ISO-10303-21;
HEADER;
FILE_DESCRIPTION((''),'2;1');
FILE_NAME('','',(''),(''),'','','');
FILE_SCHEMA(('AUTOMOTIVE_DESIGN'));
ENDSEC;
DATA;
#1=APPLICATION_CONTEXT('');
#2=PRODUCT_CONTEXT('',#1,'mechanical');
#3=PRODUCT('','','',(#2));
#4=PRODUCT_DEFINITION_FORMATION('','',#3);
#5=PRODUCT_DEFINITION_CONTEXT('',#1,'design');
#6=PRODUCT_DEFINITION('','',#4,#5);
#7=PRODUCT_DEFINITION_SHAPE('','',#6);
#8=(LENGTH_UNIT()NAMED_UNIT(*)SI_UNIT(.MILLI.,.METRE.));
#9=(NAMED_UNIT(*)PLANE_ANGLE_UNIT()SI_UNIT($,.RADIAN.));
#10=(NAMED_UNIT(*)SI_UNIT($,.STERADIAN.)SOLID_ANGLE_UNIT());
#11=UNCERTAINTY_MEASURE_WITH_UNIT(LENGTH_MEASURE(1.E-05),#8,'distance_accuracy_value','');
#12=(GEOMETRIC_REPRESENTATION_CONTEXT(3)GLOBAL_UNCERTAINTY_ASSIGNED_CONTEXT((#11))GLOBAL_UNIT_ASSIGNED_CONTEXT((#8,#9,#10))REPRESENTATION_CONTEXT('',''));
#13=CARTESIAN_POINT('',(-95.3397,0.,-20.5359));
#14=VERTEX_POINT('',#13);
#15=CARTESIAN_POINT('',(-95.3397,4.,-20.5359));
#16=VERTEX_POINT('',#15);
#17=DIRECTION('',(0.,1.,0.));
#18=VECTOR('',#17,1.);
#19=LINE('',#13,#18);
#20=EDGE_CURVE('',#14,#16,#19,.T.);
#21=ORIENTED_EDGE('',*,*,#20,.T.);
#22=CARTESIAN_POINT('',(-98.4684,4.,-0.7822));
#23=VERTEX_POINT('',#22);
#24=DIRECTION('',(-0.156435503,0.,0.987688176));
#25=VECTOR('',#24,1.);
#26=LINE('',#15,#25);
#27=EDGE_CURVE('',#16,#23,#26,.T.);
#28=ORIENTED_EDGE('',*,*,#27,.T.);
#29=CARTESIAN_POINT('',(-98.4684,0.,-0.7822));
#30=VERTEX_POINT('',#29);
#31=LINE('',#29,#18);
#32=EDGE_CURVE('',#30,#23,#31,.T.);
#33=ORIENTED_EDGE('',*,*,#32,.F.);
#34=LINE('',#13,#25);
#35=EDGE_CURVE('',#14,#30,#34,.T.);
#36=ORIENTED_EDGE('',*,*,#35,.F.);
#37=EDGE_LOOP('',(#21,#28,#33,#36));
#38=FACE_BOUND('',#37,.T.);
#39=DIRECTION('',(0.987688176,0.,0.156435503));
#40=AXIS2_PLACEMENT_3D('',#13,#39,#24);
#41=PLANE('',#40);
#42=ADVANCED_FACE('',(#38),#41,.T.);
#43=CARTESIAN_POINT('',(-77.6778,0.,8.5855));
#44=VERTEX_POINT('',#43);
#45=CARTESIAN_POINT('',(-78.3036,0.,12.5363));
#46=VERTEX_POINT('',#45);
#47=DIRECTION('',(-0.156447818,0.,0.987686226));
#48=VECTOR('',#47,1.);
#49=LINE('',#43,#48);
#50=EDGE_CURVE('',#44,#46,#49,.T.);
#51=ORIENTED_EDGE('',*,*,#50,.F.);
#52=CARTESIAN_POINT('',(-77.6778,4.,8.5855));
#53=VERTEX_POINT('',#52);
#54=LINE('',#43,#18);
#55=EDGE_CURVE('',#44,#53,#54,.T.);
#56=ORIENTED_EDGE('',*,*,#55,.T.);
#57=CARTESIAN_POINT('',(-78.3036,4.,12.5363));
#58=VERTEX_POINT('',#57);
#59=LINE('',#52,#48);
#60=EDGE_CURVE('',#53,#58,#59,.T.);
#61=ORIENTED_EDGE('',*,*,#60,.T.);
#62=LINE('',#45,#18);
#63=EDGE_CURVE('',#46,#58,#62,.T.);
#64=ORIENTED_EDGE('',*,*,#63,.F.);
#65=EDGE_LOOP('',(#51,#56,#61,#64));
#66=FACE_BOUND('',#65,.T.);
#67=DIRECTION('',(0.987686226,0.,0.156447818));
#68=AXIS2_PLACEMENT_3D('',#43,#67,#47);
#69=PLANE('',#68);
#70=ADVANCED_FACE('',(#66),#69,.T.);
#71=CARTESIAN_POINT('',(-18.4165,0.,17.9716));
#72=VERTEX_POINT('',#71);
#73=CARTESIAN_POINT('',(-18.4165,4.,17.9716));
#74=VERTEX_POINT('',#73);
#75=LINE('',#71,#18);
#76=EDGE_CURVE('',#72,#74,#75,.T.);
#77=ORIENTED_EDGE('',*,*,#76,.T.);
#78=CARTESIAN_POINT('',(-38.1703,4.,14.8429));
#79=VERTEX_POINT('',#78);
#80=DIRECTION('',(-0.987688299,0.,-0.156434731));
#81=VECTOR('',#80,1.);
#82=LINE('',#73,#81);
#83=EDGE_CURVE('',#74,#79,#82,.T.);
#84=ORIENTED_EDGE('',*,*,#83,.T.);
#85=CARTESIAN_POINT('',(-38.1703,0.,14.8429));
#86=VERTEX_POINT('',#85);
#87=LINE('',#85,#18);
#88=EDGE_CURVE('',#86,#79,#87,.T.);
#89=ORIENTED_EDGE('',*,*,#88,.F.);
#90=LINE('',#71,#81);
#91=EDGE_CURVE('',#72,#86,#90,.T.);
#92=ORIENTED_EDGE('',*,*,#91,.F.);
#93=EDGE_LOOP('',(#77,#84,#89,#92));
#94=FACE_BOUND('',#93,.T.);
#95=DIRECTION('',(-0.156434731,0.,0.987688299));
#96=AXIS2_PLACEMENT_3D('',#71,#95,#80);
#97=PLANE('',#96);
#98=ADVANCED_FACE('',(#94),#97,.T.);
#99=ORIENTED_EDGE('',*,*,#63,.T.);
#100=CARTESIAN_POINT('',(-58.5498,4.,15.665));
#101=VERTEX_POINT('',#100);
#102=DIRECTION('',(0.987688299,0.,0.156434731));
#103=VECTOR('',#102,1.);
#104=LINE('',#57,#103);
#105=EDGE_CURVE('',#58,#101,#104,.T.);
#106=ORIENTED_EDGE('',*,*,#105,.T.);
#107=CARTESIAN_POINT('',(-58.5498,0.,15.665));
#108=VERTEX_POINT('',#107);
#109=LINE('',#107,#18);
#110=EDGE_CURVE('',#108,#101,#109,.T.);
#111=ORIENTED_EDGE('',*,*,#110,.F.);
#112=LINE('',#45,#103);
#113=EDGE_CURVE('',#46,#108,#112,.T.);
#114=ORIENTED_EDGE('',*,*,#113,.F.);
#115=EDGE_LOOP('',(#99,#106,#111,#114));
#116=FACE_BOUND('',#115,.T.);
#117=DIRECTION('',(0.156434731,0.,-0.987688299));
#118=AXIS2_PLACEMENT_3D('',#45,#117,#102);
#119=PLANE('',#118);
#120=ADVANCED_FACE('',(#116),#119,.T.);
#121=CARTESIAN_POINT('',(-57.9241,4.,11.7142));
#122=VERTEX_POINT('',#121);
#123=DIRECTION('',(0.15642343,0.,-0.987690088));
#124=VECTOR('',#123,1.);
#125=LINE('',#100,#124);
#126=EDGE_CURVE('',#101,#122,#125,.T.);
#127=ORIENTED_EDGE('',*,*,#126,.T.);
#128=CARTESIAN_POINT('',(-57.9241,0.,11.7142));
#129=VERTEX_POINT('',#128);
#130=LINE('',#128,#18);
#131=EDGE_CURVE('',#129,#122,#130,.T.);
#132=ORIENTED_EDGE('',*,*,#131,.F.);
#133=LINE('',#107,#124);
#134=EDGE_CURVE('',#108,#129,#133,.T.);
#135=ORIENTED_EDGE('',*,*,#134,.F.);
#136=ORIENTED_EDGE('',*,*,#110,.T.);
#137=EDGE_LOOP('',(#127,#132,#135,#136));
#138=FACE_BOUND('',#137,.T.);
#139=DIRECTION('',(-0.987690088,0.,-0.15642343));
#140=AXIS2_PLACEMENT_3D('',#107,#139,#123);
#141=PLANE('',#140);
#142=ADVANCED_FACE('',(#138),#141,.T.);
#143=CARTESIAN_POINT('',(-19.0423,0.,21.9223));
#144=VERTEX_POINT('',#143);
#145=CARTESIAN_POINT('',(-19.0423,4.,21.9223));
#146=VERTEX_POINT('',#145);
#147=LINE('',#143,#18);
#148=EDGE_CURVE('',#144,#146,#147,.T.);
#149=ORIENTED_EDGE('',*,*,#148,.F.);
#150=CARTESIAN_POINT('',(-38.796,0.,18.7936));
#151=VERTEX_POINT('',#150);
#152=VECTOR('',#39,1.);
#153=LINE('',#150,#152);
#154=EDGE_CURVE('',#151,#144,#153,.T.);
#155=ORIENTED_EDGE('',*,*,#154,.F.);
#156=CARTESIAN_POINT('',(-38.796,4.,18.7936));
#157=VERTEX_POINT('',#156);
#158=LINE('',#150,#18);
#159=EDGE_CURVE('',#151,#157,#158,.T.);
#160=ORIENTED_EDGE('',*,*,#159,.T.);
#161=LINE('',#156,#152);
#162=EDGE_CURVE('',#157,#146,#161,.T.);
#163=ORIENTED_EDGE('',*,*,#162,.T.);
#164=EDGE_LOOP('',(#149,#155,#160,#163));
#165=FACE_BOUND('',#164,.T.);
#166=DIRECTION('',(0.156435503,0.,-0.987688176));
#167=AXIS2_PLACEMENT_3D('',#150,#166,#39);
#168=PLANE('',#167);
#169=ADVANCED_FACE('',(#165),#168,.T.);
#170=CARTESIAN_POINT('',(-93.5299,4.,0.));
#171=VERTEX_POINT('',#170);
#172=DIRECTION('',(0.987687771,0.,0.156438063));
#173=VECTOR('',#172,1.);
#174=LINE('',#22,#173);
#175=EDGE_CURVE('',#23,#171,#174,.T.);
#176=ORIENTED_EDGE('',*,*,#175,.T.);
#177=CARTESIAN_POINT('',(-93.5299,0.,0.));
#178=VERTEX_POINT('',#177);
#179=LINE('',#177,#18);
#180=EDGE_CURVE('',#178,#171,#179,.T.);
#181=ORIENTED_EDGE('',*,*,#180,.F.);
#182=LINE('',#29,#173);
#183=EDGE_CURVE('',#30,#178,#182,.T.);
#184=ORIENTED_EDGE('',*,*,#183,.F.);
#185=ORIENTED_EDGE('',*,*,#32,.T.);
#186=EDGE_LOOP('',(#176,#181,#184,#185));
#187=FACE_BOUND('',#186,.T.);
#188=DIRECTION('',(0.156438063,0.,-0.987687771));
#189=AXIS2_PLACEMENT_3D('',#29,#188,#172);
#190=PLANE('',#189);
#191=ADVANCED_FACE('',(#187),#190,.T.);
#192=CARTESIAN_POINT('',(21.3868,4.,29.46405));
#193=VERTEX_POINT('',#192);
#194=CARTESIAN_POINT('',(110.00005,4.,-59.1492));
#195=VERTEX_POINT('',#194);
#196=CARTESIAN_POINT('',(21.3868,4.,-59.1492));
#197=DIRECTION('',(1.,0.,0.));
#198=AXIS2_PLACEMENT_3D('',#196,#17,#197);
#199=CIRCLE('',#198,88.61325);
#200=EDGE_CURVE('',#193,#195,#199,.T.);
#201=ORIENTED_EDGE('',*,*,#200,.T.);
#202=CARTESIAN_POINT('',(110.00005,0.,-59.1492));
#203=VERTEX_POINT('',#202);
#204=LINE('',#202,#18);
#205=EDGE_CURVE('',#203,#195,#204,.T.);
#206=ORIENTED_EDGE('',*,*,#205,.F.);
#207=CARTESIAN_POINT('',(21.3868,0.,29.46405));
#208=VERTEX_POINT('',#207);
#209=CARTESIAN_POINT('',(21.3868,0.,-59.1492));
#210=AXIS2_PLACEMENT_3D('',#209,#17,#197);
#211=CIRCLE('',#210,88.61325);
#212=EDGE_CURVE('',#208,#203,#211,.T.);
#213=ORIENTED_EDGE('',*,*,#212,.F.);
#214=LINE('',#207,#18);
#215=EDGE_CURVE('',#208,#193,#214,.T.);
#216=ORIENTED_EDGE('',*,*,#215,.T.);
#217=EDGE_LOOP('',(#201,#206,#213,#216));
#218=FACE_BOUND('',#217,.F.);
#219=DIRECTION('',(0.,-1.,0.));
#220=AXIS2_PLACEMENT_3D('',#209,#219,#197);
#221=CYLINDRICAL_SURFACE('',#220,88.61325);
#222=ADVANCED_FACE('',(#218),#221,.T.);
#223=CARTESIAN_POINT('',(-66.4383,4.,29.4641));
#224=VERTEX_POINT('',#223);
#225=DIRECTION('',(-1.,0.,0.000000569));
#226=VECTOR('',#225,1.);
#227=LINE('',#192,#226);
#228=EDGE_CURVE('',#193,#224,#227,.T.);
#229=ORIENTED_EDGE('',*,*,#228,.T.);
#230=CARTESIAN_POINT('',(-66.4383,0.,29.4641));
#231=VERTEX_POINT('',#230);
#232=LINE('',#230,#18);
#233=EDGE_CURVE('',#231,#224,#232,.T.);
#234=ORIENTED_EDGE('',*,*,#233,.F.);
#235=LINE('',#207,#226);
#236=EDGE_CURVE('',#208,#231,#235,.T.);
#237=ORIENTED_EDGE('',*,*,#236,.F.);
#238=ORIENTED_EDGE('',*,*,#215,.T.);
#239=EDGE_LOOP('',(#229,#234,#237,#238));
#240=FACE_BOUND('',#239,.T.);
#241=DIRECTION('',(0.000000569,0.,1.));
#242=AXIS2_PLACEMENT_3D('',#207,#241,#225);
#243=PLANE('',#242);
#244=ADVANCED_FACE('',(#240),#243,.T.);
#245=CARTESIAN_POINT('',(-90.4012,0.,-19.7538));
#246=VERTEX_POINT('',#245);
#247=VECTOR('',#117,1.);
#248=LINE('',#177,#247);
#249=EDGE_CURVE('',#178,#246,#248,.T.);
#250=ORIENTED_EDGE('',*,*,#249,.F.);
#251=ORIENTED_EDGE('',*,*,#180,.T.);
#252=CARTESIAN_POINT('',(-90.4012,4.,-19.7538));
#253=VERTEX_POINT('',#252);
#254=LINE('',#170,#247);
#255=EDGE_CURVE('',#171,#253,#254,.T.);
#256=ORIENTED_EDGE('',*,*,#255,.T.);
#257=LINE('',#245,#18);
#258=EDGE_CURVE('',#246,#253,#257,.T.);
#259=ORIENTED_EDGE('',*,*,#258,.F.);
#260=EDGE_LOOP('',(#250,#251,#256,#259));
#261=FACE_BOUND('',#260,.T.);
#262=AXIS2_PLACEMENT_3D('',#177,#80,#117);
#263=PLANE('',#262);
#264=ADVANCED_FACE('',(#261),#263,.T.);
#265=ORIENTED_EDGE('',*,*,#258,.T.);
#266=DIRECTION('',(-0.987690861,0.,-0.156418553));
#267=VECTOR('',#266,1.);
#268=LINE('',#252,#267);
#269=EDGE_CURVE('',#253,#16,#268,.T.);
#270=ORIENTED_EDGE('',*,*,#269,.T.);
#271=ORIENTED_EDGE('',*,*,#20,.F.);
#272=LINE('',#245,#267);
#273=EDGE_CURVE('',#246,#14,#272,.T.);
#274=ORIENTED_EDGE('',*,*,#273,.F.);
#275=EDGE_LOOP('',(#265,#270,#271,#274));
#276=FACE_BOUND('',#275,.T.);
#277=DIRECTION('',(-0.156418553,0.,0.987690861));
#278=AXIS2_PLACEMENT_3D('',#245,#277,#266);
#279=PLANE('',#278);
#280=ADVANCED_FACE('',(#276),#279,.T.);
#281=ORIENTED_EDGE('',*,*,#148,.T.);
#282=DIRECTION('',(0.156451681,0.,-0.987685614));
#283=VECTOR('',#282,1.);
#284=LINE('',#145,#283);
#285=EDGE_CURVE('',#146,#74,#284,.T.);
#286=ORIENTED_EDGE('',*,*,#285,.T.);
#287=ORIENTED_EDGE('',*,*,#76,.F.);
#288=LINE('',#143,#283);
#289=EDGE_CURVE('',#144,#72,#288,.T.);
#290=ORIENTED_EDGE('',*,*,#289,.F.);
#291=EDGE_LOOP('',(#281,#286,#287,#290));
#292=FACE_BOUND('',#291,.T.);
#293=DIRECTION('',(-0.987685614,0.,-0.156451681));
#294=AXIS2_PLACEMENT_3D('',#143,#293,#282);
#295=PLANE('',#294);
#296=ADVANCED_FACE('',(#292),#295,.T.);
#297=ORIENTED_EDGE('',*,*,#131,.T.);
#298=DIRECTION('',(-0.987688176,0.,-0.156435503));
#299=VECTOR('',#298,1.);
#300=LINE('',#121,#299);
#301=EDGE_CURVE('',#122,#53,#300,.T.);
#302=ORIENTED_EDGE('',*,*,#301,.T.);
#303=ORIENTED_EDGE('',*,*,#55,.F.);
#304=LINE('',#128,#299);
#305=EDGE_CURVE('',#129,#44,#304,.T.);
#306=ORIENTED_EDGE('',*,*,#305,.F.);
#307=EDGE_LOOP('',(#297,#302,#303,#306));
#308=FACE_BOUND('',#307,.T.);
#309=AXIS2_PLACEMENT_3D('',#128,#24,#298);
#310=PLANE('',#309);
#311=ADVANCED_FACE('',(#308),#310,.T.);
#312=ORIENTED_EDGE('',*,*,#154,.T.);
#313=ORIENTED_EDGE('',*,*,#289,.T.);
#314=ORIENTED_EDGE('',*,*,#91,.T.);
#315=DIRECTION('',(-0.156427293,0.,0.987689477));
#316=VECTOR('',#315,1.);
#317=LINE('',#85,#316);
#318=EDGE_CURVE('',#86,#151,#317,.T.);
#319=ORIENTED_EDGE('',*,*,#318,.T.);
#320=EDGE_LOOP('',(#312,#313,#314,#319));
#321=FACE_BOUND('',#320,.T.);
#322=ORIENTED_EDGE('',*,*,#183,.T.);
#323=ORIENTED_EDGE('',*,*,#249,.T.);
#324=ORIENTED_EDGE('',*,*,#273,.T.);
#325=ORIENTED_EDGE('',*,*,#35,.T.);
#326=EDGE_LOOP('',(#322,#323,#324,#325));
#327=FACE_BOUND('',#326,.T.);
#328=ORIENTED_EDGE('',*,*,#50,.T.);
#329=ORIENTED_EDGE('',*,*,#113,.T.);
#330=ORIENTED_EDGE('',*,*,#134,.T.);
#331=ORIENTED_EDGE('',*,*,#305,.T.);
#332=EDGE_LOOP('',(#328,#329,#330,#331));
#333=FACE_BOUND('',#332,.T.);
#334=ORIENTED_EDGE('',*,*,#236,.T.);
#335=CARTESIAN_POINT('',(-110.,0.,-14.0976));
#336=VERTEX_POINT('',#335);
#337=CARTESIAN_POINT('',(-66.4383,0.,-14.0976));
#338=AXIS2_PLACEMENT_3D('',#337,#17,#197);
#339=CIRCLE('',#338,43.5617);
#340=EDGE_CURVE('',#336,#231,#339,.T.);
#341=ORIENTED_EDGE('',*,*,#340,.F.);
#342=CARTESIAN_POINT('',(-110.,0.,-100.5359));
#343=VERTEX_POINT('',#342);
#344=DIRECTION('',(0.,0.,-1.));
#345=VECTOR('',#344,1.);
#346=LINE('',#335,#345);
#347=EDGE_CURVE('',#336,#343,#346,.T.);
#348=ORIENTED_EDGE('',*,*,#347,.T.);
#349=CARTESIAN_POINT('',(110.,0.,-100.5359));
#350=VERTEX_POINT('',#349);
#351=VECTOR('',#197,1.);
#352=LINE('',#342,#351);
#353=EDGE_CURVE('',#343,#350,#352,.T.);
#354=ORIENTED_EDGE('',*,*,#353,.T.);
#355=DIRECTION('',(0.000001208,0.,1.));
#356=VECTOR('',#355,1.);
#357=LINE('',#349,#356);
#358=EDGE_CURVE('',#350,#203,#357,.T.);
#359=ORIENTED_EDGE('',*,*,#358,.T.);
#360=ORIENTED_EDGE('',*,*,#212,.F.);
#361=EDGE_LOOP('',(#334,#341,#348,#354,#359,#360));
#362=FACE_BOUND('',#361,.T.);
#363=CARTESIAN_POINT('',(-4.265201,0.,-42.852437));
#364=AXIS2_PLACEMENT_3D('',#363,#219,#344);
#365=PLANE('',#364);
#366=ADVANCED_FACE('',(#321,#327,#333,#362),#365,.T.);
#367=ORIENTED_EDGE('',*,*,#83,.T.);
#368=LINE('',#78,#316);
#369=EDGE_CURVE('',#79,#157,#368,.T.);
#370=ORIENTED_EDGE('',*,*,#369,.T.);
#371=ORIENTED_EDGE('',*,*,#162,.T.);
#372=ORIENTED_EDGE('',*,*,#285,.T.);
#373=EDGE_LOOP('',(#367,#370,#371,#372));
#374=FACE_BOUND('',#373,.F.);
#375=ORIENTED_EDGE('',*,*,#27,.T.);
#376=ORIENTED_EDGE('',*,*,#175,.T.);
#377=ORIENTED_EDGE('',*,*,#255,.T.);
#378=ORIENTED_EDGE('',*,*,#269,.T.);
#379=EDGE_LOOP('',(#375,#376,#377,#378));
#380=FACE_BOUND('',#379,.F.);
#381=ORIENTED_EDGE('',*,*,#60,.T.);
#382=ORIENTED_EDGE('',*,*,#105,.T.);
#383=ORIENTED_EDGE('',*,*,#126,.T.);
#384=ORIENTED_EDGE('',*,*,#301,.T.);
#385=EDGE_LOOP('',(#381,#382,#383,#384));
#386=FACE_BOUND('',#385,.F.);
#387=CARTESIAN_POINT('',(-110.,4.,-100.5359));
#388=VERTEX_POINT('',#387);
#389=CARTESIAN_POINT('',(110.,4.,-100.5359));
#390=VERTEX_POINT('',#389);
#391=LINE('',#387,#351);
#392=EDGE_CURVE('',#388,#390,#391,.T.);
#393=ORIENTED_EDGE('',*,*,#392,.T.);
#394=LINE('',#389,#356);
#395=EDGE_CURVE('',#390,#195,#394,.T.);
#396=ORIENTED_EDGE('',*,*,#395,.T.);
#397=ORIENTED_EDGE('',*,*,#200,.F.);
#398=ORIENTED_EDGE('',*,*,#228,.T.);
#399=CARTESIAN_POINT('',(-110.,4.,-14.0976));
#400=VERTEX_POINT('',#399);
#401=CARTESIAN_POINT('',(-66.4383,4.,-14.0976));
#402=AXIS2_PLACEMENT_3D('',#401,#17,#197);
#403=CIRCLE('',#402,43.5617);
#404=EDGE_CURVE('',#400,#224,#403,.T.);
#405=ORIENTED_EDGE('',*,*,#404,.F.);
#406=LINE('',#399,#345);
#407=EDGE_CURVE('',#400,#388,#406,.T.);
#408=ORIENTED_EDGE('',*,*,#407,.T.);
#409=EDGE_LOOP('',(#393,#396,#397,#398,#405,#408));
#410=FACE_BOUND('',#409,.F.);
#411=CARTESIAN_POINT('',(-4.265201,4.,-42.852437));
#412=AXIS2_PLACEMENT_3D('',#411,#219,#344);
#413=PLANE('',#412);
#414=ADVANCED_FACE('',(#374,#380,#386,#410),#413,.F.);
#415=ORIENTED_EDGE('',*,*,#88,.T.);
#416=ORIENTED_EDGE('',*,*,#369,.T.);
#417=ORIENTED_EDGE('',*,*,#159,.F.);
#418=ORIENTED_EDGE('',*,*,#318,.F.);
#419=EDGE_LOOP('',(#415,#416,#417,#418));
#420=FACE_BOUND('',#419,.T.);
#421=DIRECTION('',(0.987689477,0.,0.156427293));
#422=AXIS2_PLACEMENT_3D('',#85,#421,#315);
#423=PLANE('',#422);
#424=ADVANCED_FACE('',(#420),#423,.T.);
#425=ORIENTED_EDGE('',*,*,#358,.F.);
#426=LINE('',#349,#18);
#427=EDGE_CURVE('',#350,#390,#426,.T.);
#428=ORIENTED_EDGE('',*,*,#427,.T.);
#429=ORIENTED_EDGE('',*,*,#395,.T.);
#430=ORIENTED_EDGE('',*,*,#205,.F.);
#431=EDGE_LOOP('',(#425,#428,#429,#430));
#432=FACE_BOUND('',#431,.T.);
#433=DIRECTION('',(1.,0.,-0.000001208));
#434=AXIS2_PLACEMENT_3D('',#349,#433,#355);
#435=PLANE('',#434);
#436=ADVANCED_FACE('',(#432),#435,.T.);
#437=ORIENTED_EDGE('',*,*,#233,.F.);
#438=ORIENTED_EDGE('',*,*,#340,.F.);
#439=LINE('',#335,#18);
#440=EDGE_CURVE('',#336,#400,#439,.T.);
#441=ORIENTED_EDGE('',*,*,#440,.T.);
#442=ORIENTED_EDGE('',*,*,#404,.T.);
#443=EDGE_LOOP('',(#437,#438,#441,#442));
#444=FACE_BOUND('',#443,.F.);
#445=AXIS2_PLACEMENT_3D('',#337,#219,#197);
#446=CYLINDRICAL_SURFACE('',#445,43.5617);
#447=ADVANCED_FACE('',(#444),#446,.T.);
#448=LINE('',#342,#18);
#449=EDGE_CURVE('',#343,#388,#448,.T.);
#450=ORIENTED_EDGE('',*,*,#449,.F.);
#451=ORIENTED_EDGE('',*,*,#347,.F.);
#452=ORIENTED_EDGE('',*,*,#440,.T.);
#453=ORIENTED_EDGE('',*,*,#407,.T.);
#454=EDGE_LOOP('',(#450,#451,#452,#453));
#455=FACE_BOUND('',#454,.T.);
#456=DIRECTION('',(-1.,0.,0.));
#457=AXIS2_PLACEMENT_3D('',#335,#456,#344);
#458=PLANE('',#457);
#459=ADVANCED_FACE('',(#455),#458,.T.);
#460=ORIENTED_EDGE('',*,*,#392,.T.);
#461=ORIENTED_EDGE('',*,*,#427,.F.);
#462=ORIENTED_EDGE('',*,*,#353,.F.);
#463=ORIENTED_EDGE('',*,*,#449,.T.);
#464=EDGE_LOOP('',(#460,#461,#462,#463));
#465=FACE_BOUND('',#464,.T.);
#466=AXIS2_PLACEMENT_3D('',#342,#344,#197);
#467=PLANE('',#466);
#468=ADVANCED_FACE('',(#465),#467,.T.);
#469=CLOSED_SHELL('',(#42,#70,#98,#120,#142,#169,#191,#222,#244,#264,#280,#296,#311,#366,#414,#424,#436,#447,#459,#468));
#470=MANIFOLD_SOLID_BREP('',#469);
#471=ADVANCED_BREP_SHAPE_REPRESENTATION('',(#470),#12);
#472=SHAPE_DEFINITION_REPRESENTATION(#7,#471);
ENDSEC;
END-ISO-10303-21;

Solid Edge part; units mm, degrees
sketch "Sketch1" plane through (0, 0, 0) normal (0, -1, 0) x (1, 0, 0)
  line L0 (21.3868, 29.4641) -> (-66.4383, 29.4641)
  arc A0 (-110, -14.0976) -> (-66.4383, 29.4641) centre (-66.4383, -14.0976) cw
  line L1 (-110, -14.0976) -> (-110, -100.5359)
  line L2 (-110, -100.5359) -> (110, -100.5359)
  line L3 (110, -100.5359) -> (110, -59.1492)
  arc A1 (21.3868, 29.4641) -> (110, -59.1492) centre (21.3868, -59.1492) cw
  line L4 (-78.3036, 12.5363) -> (-58.5498, 15.665)
  line L5 (-58.5498, 15.665) -> (-57.9241, 11.7142)
  line L6 (-57.9241, 11.7142) -> (-77.6778, 8.5855)
  line L7 (-77.6778, 8.5855) -> (-78.3036, 12.5363)
  line L8 (-38.796, 18.7936) -> (-19.0423, 21.9223)
  line L9 (-19.0423, 21.9223) -> (-18.4165, 17.9716)
  line L10 (-18.4165, 17.9716) -> (-38.1703, 14.8429)
  line L11 (-38.1703, 14.8429) -> (-38.796, 18.7936)
  line L12 (-98.4684, -0.7822) -> (-93.5299, 0)
  line L13 (-93.5299, 0) -> (-90.4012, -19.7538)
  line L14 (-90.4012, -19.7538) -> (-95.3397, -20.5359)
  line L15 (-95.3397, -20.5359) -> (-98.4684, -0.7822)
  dimension "D1" = 20
  dimension "D2" = 20
  dimension "D3" = 4
  dimension "D4" = 4
  dimension "D5" = 4
  dimension "D6" = 20
  dimension "D7" = 17
  dimension "D8" = 130
  dimension "D9" = 220
  dimension "D10" = 87.8251
  dimension "D11" = 19.7538
  dimension "D12" = 4.9384
  dimension "D13" = 80
  dimension "D14" = 6
  dimension "D15" = 14.6603
extrude "Protrusion1" add sketch "Sketch1" against normal blind 4
